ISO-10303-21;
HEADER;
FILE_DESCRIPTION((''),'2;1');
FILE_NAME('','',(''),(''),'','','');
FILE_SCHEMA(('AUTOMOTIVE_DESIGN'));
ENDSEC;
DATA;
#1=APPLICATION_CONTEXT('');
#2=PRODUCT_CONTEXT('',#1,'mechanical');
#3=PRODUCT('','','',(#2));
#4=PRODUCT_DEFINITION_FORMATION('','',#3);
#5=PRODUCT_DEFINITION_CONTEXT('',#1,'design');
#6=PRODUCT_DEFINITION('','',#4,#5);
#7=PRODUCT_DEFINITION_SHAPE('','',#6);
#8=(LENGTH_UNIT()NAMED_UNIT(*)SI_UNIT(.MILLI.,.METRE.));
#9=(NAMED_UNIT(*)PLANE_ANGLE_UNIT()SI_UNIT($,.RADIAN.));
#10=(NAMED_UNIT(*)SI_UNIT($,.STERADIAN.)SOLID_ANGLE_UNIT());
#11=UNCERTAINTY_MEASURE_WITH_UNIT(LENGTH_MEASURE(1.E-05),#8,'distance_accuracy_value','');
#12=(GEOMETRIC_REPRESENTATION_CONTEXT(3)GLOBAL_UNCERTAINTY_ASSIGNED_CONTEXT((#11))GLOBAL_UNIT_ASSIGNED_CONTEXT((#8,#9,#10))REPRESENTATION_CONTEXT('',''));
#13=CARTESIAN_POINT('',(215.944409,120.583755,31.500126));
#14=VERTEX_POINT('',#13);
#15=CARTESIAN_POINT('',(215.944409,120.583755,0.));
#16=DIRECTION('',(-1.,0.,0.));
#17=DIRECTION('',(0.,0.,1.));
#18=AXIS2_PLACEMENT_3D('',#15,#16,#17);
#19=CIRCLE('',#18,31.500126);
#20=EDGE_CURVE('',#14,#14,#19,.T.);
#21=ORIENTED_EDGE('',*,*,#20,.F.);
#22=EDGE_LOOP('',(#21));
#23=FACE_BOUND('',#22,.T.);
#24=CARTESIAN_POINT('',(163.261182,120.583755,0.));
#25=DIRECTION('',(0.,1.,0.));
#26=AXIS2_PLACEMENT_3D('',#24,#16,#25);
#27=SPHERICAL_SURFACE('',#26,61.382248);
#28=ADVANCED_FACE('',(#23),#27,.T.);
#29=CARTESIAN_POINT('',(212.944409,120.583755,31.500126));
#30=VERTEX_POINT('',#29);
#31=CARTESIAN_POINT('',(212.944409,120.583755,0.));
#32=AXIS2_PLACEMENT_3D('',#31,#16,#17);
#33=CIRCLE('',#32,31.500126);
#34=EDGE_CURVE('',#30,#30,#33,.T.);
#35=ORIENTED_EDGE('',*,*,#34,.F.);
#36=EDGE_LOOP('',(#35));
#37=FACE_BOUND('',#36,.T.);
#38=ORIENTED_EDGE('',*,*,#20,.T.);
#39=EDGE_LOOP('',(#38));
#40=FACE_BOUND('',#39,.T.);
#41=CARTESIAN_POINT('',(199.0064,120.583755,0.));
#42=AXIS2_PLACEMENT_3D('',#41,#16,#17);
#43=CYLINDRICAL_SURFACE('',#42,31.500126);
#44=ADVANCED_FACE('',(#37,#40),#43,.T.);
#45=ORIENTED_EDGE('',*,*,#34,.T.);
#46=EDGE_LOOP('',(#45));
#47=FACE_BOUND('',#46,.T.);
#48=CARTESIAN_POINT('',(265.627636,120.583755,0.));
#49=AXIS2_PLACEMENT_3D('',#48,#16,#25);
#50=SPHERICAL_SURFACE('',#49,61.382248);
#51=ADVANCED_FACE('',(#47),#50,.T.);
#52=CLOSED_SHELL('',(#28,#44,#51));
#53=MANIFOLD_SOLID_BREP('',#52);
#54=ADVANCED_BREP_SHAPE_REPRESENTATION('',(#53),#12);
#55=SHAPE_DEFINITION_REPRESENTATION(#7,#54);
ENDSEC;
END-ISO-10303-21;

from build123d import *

# Parameters (mm, degrees)
SKETCH_1_ONE_SIDE_W = 3
SKETCH_1_ONE_SIDE_H = 31.500126001


with BuildPart() as part:
    # 草图1 one side → 旋转1 (revolve)
    with BuildSketch(Plane.XY):
        with Locations((214.444409266, 136.333817794)):
            Rectangle(SKETCH_1_ONE_SIDE_W, SKETCH_1_ONE_SIDE_H)
        with BuildLine():
            Line((204.24538847, 120.583754794), (212.944409266, 120.583754794))
            Line((212.944409266, 120.583754794), (212.944409266, 152.083880795))
            ThreePointArc((212.944409266, 152.083880795), (206.460097704, 136.923360824), (204.24538847, 120.583754794))
        make_face()
        with BuildLine():
            Line((215.944409266, 120.583754794), (224.643430062, 120.583754794))
            ThreePointArc((224.643430062, 120.583754794), (222.428720828, 136.923360824), (215.944409266, 152.083880795))
            Line((215.944409266, 152.083880795), (215.944409266, 120.583754794))
        make_face()
    revolve(axis=Axis((199.006399593, 120.583754794, 0), (1, 0, 0)))


solid = part.part
